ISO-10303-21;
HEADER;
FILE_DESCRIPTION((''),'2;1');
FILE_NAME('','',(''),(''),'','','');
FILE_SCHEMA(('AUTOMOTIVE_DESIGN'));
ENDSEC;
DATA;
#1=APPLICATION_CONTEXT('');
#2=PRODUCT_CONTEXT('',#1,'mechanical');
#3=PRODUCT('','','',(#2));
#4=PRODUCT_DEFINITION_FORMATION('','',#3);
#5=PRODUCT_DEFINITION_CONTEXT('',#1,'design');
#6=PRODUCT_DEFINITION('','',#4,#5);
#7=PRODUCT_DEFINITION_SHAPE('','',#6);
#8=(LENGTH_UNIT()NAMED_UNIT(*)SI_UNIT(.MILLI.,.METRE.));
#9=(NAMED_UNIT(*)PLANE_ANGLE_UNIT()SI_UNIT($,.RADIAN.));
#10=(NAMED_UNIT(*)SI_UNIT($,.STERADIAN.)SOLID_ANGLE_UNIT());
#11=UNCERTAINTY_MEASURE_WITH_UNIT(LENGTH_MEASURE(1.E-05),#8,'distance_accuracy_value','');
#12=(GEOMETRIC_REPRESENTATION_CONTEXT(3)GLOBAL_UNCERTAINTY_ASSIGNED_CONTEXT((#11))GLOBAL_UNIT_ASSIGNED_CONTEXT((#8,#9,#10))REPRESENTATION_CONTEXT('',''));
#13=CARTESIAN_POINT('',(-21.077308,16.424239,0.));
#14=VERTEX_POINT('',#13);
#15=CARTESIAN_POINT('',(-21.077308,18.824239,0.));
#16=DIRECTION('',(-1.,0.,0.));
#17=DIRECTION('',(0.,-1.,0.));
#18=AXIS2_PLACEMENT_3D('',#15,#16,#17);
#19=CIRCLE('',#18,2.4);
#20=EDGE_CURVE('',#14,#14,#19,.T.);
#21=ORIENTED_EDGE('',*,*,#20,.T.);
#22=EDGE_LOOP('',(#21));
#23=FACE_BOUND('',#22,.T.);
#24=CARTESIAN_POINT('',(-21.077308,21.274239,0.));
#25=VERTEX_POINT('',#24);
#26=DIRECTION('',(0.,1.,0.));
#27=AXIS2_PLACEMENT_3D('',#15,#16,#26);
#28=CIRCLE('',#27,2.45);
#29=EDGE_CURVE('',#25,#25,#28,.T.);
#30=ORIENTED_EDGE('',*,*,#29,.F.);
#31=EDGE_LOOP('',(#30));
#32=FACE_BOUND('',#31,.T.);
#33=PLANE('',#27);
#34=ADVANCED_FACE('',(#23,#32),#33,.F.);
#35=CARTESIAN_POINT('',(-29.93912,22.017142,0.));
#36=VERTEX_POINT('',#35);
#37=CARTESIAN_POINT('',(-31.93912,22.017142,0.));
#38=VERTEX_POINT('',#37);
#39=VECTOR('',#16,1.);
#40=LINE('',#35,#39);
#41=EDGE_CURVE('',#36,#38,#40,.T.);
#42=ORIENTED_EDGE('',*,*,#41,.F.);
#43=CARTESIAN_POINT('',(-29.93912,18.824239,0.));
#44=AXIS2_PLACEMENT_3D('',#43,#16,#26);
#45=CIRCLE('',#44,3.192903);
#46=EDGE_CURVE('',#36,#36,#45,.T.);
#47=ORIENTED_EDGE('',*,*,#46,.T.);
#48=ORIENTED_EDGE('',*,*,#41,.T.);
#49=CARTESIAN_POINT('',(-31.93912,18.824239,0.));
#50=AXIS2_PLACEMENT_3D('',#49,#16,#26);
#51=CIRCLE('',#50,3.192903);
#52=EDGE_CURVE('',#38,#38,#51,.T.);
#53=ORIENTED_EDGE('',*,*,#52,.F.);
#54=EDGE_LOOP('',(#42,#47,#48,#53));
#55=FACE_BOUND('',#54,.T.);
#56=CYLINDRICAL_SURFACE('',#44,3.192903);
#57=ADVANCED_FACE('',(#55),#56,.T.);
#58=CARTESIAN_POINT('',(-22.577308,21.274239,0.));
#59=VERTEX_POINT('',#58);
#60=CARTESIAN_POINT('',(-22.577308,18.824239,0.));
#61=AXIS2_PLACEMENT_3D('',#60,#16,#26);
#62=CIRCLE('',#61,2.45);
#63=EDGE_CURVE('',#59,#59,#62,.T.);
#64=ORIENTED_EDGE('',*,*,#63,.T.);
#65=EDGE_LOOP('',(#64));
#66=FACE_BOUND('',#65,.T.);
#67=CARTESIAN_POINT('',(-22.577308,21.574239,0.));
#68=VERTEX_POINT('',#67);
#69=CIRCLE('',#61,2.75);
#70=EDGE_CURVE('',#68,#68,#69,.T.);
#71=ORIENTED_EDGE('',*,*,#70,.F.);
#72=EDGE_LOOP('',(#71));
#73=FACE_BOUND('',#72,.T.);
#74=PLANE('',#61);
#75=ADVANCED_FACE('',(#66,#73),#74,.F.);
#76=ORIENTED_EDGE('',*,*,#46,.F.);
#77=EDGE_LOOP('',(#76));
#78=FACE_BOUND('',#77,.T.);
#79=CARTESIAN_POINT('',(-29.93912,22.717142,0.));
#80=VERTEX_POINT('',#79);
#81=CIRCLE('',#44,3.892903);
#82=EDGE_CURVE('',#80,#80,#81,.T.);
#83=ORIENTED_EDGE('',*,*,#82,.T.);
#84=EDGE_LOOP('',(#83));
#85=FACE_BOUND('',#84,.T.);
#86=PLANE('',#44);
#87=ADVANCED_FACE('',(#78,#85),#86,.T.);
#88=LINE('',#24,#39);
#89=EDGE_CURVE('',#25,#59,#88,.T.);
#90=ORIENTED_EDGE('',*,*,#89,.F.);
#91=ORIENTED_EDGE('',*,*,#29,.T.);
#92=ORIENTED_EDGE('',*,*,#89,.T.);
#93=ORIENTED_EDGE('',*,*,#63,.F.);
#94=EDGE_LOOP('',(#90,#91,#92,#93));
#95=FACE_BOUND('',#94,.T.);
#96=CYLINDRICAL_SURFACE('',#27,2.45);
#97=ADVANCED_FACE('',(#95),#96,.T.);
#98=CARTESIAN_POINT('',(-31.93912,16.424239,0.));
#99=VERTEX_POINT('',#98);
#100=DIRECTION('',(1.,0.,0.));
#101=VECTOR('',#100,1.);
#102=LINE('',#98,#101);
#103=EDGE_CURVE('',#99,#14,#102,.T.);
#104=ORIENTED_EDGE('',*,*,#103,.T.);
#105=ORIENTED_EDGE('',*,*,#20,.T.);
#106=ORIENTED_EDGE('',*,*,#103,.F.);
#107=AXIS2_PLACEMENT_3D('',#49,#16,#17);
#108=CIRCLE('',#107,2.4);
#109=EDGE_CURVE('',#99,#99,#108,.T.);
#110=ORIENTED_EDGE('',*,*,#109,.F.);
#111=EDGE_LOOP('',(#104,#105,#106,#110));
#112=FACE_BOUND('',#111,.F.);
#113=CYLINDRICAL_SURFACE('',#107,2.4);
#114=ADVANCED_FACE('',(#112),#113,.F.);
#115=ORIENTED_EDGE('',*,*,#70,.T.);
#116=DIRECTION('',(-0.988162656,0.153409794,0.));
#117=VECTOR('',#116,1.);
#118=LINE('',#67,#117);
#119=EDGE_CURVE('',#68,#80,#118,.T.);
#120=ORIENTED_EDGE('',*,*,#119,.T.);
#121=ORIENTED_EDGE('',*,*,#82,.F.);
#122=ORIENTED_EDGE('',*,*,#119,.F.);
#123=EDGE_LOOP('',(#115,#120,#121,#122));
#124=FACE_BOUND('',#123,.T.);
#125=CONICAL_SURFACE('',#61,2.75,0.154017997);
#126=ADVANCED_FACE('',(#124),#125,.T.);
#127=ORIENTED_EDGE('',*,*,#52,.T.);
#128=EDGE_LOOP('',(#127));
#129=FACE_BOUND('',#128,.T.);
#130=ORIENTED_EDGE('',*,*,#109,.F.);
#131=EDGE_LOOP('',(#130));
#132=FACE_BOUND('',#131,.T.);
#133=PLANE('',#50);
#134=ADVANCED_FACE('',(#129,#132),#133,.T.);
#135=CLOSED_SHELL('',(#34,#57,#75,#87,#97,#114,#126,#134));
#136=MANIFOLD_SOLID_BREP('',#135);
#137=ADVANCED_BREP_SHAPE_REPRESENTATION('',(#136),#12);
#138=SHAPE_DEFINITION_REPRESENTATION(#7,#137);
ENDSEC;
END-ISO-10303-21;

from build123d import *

# Parameters (mm, degrees)
F2_R     = 2.4
F3_DEPTH = 25


with BuildPart() as f1:
    # F0 (on Top) → F1 (revolve)
    with BuildSketch(Plane.XY):
        Polygon((-29.93912, 22.017142), (-31.93912, 22.017142), (-31.93912, 19.824239), (-31.93912, 18.824239), (-21.077308, 18.824239), (-21.077308, 21.274239), (-22.577308, 21.274239), (-22.577308, 21.574239), (-29.93912, 22.717142), align=None)
    revolve(axis=Axis((-26.508214, 18.824239, 0), (-1, 0, 0)))

    # F2 (on face) → F3 (cut)
    with BuildSketch(Plane(origin=(-31.93912, 0, 0), x_dir=(0, -1, 0), z_dir=(-1, 0, 0))):
        with Locations((-18.824239, 0)):
            Circle(F2_R)
    extrude(amount=-F3_DEPTH, mode=Mode.SUBTRACT)


solid = f1.part
